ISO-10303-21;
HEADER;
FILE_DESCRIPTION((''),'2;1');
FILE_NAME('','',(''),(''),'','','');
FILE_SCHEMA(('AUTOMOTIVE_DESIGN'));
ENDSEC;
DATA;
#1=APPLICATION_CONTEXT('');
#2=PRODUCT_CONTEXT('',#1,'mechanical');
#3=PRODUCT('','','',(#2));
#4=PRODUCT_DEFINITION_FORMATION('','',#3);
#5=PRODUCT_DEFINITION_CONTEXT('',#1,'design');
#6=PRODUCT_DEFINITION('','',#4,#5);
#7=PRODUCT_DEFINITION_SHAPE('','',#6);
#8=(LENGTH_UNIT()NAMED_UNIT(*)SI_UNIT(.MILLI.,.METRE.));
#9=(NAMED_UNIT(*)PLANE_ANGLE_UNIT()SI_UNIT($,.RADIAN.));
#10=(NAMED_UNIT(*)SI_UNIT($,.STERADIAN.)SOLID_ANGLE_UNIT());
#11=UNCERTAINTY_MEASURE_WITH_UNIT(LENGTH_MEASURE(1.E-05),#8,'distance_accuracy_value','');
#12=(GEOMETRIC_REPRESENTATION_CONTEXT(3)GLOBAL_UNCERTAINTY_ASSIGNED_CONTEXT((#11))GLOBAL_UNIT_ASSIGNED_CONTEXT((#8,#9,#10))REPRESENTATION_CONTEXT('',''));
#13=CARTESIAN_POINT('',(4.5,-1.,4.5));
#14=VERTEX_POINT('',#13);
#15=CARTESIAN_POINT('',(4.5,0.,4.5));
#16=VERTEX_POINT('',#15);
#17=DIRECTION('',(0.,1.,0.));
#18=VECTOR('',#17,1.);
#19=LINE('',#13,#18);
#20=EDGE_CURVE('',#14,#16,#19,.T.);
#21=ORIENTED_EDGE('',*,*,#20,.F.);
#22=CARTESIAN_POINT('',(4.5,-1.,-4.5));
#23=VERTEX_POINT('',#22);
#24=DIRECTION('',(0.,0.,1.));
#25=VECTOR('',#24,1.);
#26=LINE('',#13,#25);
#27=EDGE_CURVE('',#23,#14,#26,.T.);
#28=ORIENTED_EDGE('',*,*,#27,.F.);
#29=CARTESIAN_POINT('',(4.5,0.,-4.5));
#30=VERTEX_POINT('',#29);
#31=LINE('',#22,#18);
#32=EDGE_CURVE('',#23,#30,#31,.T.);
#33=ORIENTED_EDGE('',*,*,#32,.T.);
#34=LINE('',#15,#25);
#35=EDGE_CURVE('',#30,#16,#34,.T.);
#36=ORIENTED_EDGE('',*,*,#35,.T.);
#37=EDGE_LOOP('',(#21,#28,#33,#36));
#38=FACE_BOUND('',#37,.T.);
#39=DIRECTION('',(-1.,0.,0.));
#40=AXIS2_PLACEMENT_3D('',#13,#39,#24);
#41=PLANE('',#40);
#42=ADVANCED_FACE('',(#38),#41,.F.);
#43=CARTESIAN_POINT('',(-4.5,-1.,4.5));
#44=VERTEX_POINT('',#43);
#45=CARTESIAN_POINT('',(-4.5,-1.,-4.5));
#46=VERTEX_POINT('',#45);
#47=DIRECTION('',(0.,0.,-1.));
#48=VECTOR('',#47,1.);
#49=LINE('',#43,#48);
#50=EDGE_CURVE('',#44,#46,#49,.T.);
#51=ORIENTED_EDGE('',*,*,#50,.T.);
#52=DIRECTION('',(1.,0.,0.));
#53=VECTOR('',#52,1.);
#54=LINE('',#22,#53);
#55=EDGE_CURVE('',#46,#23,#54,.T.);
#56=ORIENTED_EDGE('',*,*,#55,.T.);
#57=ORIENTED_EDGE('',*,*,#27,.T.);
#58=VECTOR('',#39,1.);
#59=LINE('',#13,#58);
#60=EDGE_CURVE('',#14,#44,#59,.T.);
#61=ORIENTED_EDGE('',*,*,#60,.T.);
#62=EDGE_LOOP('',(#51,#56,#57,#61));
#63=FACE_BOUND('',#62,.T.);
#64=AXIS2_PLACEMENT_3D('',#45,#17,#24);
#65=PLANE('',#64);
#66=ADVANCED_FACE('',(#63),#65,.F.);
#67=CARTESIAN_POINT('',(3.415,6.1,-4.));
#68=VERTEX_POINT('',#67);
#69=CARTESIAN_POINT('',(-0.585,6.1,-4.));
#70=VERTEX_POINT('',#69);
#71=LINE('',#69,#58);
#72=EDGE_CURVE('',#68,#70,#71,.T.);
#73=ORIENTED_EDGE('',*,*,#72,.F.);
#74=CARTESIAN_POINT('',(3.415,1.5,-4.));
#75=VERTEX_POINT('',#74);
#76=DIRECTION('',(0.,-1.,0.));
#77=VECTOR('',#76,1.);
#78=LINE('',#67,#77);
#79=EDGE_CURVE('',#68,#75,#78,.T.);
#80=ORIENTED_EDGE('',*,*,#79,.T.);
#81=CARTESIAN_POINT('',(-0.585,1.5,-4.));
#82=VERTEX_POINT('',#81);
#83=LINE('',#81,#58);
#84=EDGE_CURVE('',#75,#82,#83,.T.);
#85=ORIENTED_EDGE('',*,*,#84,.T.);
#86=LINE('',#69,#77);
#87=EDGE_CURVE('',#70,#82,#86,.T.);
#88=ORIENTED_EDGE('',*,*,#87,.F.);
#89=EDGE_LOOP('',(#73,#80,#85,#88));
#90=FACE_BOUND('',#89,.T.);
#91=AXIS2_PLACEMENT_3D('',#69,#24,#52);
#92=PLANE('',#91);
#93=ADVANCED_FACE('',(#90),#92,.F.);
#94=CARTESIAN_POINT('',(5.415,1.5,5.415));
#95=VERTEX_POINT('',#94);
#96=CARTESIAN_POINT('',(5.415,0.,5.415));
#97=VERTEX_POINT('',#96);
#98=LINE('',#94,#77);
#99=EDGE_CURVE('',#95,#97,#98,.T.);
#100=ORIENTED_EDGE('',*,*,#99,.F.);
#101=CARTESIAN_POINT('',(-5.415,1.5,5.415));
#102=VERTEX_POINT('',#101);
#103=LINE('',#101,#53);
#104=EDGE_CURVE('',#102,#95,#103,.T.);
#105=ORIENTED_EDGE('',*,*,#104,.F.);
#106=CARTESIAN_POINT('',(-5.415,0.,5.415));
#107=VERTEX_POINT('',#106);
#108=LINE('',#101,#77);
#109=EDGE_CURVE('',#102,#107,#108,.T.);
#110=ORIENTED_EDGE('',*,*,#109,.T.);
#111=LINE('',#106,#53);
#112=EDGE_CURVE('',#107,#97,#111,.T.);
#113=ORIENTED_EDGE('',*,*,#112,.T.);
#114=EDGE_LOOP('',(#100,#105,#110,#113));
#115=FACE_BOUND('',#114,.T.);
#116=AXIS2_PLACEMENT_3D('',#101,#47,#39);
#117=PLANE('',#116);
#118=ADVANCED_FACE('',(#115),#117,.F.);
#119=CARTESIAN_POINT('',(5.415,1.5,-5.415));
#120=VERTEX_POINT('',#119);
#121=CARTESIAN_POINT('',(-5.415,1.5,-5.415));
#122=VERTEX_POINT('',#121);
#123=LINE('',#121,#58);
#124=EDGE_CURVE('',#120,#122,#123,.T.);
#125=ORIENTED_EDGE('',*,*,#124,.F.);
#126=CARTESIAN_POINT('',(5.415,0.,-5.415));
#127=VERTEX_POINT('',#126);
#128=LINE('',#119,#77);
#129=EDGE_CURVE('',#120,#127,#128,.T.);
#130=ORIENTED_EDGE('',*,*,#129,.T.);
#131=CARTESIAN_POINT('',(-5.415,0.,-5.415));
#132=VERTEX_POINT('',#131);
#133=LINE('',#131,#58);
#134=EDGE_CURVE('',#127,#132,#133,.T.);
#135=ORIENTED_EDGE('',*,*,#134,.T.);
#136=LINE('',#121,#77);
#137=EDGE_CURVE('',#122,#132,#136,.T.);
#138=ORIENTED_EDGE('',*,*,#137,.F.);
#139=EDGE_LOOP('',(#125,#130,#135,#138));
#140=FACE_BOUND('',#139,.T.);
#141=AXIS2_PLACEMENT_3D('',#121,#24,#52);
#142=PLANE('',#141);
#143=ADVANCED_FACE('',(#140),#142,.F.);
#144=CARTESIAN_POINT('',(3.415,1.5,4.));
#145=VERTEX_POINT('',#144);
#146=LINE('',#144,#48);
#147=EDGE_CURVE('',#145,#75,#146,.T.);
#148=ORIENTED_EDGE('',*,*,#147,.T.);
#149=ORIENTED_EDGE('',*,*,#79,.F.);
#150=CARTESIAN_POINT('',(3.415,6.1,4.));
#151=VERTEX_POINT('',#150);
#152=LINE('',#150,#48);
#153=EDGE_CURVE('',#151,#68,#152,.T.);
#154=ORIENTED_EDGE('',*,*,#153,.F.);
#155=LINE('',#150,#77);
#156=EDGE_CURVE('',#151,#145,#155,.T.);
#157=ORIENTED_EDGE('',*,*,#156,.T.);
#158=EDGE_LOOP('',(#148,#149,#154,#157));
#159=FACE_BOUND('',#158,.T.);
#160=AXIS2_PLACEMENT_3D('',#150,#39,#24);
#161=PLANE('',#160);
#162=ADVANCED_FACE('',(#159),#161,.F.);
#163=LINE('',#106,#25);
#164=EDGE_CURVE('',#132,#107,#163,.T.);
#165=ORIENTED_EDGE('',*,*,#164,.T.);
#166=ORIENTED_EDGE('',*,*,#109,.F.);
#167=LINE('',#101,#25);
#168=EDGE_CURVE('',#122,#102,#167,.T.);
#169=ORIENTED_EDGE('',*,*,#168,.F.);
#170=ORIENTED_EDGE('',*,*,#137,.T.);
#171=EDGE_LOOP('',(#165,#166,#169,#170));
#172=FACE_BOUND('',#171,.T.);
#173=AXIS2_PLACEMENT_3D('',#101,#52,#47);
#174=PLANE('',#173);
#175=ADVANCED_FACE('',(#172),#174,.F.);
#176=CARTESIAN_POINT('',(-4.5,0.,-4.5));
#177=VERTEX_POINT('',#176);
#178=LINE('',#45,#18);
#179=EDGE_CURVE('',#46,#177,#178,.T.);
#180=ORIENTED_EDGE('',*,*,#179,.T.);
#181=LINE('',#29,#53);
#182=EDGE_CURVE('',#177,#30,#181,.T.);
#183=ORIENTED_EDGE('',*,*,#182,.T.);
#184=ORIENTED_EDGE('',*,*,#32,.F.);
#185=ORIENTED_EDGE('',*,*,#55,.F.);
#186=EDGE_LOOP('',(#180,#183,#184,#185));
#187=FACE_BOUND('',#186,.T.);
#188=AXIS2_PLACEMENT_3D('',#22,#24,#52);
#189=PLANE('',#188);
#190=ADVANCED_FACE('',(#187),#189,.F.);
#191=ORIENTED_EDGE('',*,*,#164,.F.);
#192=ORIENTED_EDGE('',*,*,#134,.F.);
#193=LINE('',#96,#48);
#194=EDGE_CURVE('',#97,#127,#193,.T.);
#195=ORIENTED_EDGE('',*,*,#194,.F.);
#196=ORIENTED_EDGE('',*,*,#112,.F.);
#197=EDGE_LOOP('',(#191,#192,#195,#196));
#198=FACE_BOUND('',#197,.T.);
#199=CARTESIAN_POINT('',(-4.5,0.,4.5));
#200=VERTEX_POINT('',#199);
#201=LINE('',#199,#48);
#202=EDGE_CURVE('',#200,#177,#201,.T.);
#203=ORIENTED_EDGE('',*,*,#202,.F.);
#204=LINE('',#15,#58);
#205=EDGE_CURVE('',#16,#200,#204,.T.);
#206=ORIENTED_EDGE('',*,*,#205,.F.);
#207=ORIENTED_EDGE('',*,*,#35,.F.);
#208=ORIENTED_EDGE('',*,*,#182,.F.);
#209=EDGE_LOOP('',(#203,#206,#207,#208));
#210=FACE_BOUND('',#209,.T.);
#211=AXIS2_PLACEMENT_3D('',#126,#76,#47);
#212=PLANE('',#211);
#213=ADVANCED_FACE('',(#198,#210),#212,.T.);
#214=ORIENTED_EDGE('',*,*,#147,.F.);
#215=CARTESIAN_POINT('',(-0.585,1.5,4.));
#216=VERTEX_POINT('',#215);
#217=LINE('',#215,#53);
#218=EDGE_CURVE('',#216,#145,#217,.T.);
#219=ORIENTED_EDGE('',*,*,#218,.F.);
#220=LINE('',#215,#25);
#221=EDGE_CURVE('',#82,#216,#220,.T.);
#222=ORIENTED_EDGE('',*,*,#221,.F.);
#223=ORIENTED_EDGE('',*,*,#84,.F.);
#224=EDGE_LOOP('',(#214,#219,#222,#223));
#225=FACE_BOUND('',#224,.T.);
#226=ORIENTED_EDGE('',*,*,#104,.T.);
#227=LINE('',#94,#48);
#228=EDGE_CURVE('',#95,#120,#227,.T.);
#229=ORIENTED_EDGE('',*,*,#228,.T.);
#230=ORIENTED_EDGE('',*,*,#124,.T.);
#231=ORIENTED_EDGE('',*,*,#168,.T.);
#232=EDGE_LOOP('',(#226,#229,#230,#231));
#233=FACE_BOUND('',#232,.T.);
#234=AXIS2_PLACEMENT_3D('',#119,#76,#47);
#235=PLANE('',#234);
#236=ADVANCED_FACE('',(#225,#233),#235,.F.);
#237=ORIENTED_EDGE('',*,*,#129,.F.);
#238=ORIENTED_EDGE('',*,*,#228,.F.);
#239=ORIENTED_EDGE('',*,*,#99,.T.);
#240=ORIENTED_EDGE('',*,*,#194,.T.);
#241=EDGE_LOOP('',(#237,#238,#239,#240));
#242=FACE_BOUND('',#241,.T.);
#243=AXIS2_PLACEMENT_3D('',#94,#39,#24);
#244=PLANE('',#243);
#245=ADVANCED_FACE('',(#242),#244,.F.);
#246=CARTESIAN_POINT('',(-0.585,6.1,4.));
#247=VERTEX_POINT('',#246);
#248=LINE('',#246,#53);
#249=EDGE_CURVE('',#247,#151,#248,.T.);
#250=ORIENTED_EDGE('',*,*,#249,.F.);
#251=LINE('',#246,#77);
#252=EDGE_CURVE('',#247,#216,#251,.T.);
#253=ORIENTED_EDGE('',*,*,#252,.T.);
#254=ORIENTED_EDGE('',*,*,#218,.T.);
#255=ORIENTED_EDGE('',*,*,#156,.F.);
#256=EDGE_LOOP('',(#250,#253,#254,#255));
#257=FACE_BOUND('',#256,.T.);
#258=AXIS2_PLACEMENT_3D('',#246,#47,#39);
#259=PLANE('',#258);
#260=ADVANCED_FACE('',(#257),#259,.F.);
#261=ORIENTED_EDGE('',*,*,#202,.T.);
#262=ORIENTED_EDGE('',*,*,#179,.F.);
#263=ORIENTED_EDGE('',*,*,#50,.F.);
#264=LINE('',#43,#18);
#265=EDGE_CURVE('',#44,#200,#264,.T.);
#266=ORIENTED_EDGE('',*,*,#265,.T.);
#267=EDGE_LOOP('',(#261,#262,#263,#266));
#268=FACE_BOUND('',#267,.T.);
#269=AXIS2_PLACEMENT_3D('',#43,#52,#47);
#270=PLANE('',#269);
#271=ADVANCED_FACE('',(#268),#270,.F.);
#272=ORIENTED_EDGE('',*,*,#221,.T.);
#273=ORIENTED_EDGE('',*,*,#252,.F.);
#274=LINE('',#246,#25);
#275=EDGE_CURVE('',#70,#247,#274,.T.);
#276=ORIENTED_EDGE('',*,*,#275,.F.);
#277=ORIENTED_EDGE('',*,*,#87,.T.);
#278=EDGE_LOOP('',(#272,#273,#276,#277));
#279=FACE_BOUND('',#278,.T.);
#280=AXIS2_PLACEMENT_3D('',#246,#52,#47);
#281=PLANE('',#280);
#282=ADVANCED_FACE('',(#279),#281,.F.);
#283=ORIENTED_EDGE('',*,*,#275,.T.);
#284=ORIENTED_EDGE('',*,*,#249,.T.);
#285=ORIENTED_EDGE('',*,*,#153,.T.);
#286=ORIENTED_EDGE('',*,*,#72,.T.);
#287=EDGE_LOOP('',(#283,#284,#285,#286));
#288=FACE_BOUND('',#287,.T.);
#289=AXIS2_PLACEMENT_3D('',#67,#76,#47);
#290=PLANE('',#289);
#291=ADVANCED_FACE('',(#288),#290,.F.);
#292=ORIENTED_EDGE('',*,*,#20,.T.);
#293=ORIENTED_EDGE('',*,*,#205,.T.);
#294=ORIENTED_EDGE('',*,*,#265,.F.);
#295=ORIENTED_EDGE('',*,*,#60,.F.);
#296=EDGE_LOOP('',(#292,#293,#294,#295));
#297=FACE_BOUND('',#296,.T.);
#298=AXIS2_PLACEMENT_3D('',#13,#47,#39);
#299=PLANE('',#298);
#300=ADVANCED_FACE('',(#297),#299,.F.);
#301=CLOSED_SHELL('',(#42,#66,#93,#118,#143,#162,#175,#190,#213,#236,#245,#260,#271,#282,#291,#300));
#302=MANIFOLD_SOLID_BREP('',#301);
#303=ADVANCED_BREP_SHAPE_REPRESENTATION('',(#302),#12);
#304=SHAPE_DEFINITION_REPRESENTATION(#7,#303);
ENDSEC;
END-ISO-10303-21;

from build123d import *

# Parameters (mm, degrees)
SKETCH1_W      = 10.83
SKETCH1_H      = 10.83
EXTRUDE1_DEPTH = 1.5
SKETCH2_W      = 9
SKETCH2_H      = 9
EXTRUDE2_DEPTH = 1
SKETCH3_W      = 4
SKETCH3_H      = 8
EXTRUDE3_DEPTH = 4.6


with BuildPart() as part:
    # Sketch1 → Extrude1 (new body)
    with BuildSketch(Plane(origin=(0, 0, 0), x_dir=(1, 0, 0), z_dir=(0, 1, 0))):
        Rectangle(SKETCH1_W, SKETCH1_H)
    extrude(amount=EXTRUDE1_DEPTH)

    # Sketch2 → Extrude2 (add)
    with BuildSketch(Plane.XZ):
        Rectangle(SKETCH2_W, SKETCH2_H)
    extrude(amount=EXTRUDE2_DEPTH)

    # Sketch3 → Extrude3 (add)
    with BuildSketch(Plane(origin=(0, 1.5, 0), x_dir=(1, 0, 0), z_dir=(0, 1, 0))):
        with Locations((1.415, 0)):
            Rectangle(SKETCH3_W, SKETCH3_H)
    extrude(amount=EXTRUDE3_DEPTH)


solid = part.part
